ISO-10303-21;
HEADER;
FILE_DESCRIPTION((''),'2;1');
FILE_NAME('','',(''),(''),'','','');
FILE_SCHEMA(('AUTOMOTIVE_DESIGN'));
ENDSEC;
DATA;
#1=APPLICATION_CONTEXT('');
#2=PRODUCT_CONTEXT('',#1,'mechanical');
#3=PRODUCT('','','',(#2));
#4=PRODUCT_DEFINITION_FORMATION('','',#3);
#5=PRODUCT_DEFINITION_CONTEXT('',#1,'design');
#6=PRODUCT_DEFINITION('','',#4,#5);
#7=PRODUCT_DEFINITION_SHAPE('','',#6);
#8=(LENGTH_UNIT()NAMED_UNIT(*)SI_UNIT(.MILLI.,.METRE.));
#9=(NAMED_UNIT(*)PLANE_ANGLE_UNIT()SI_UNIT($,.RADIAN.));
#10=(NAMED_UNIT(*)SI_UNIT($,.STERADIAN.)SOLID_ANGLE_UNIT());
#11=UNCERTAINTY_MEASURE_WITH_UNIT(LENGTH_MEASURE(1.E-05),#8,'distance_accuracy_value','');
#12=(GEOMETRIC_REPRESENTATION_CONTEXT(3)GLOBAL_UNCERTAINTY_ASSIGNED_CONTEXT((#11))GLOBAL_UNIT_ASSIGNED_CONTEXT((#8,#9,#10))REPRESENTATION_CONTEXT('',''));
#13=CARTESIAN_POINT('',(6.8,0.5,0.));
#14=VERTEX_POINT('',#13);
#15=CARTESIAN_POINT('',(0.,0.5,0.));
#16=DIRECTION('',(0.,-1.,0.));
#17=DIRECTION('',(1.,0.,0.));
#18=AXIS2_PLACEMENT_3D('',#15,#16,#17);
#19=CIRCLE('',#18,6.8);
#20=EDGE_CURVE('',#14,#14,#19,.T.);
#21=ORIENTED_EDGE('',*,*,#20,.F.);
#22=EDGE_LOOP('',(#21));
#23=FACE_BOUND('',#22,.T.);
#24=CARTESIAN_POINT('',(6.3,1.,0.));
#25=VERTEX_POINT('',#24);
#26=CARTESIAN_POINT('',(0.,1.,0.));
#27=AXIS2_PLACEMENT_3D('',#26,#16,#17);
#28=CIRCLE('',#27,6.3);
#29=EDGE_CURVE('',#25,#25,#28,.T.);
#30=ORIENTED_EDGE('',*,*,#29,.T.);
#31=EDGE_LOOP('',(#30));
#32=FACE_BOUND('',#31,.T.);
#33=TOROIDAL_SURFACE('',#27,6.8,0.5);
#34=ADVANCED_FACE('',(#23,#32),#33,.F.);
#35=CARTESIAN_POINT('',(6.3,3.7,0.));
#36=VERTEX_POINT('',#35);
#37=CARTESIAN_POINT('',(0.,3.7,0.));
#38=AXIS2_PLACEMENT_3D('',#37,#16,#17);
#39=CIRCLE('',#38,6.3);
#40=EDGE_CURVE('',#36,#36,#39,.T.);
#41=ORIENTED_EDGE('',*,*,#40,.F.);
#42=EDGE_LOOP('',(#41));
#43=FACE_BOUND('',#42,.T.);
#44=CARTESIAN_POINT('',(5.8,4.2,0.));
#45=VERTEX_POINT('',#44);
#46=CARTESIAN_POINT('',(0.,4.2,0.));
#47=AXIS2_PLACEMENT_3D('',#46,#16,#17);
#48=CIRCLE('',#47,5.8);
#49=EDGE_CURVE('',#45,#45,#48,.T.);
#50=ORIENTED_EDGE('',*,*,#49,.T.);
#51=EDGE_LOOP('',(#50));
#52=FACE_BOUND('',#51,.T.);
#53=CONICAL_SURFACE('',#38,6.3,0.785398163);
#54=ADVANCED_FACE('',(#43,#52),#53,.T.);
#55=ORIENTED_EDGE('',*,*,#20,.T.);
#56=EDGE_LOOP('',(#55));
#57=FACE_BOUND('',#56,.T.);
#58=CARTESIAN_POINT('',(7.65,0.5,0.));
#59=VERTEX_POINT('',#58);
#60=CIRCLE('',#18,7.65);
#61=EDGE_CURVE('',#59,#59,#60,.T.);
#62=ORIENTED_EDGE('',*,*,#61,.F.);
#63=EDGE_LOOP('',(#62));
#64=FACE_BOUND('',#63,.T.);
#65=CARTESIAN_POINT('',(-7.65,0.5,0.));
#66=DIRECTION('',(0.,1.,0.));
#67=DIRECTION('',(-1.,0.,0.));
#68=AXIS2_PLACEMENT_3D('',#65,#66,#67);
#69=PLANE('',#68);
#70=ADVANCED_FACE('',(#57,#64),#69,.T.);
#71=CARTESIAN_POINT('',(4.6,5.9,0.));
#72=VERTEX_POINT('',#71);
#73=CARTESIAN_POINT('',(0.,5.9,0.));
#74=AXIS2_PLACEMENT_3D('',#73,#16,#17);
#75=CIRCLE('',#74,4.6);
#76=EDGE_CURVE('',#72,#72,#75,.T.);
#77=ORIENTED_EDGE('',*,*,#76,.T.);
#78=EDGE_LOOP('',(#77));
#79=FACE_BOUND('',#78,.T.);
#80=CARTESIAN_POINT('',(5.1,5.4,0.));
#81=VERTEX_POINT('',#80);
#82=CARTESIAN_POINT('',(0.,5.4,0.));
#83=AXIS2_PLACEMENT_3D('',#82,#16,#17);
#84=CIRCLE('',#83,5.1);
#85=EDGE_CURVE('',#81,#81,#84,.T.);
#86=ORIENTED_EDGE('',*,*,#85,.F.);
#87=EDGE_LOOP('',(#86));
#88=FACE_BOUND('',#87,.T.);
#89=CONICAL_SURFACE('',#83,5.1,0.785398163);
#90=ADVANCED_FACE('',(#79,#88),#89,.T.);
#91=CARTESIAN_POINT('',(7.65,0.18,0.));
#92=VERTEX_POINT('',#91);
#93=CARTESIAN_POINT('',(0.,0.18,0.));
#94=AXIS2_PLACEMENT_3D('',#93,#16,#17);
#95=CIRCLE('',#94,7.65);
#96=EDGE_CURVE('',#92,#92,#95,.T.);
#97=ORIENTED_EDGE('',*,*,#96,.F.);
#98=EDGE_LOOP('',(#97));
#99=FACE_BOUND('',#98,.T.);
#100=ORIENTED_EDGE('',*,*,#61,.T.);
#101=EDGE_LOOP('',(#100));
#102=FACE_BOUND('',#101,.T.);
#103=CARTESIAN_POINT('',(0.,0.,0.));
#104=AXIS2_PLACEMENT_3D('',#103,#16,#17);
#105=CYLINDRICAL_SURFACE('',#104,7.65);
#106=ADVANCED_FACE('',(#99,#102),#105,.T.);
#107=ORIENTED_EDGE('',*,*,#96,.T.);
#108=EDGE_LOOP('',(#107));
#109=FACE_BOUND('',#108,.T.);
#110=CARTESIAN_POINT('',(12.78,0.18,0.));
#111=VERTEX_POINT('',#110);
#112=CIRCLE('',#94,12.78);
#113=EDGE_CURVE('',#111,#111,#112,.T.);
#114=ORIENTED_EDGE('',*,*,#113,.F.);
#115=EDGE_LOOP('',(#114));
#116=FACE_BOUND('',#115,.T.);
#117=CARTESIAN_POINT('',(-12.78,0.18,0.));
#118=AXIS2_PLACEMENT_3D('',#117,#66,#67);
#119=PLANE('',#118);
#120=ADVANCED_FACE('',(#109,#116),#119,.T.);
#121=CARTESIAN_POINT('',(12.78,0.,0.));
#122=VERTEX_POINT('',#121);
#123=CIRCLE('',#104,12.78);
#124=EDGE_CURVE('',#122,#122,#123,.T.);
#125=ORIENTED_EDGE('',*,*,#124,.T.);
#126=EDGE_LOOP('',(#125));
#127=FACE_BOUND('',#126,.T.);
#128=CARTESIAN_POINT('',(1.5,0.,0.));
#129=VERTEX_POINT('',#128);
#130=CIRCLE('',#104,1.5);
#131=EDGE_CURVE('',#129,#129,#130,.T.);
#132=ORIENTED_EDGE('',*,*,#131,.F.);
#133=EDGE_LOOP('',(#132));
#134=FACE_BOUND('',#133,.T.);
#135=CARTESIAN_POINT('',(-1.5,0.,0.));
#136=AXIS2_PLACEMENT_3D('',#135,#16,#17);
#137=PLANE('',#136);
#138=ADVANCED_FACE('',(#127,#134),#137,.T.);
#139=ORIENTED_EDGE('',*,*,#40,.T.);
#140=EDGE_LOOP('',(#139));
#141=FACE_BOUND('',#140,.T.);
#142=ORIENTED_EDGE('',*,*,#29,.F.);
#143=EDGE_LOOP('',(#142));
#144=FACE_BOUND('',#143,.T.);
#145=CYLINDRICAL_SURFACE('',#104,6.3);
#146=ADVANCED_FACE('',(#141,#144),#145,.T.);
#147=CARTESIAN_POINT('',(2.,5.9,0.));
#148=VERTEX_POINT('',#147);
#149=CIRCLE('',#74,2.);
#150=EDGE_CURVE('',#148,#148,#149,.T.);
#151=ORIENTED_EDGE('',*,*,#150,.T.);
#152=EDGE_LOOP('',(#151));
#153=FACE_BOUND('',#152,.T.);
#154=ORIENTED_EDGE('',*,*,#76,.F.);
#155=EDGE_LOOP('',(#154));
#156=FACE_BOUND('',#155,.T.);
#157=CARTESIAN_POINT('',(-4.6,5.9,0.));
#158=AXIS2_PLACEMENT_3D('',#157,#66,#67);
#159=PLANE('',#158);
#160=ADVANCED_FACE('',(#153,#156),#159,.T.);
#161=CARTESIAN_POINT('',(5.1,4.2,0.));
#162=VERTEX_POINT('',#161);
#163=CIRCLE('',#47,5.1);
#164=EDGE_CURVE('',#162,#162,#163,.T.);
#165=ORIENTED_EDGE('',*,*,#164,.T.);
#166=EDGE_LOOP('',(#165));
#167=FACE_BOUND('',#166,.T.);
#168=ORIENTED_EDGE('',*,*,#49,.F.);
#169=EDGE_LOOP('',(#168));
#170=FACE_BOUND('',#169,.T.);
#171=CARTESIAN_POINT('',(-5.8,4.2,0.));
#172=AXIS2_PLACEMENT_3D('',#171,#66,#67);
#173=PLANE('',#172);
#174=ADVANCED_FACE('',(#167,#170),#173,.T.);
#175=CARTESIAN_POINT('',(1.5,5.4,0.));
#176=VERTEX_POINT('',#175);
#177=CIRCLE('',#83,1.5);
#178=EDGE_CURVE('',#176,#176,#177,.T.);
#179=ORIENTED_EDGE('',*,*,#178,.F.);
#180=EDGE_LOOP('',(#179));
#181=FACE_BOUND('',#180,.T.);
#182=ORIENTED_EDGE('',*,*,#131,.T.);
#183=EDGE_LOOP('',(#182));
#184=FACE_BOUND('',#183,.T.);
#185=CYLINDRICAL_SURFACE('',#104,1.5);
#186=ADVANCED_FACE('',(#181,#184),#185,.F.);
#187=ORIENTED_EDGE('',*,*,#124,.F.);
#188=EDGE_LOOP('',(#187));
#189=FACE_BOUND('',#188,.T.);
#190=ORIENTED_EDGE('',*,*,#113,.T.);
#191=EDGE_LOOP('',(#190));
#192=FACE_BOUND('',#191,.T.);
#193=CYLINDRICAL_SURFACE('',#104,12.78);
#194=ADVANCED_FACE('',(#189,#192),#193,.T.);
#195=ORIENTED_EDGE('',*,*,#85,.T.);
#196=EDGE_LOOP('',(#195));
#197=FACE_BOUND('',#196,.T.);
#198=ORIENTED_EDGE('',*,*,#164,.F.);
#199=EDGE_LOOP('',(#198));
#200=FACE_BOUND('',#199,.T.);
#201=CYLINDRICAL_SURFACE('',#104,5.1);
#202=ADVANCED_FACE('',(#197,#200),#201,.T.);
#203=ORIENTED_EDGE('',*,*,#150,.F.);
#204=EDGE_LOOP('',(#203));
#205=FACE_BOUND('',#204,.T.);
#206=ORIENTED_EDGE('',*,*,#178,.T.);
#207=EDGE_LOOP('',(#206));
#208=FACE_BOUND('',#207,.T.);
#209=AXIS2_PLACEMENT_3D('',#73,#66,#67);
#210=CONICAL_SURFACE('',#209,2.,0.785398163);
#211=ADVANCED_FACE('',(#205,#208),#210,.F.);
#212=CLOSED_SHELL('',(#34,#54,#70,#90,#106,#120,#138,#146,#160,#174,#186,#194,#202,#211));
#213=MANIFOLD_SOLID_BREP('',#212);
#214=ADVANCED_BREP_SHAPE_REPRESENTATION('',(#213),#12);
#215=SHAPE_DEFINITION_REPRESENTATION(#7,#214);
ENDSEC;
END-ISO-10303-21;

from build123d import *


with BuildPart() as part:
    # Sketch1 → Revolve1 (revolve)
    with BuildSketch(Plane(origin=(0, 0, 0), x_dir=(0, -1, 0), z_dir=(0, 0, -1))):
        with BuildLine():
            Line((0, 1.5), (0, 12.78))
            Line((0, 12.78), (-0.18, 12.78))
            Line((-0.18, 12.78), (-0.18, 7.65))
            Line((-0.18, 7.65), (-0.5, 7.65))
            Line((-0.5, 7.65), (-0.5, 6.8))
            ThreePointArc((-0.5, 6.8), (-0.646446609, 6.446446609), (-1, 6.3))
            Line((-1, 6.3), (-3.7, 6.3))
            Line((-3.7, 6.3), (-4.2, 5.8))
            Line((-4.2, 5.8), (-4.2, 5.1))
            Line((-4.2, 5.1), (-5.4, 5.1))
            Line((-5.4, 5.1), (-5.9, 4.6))
            Line((-5.9, 4.6), (-5.9, 2))
            Line((-5.9, 2), (-5.4, 1.5))
            Line((-5.4, 1.5), (0, 1.5))
        make_face()
    revolve(axis=Axis((0, 0, 0), (0, 1, 0)))


solid = part.part
